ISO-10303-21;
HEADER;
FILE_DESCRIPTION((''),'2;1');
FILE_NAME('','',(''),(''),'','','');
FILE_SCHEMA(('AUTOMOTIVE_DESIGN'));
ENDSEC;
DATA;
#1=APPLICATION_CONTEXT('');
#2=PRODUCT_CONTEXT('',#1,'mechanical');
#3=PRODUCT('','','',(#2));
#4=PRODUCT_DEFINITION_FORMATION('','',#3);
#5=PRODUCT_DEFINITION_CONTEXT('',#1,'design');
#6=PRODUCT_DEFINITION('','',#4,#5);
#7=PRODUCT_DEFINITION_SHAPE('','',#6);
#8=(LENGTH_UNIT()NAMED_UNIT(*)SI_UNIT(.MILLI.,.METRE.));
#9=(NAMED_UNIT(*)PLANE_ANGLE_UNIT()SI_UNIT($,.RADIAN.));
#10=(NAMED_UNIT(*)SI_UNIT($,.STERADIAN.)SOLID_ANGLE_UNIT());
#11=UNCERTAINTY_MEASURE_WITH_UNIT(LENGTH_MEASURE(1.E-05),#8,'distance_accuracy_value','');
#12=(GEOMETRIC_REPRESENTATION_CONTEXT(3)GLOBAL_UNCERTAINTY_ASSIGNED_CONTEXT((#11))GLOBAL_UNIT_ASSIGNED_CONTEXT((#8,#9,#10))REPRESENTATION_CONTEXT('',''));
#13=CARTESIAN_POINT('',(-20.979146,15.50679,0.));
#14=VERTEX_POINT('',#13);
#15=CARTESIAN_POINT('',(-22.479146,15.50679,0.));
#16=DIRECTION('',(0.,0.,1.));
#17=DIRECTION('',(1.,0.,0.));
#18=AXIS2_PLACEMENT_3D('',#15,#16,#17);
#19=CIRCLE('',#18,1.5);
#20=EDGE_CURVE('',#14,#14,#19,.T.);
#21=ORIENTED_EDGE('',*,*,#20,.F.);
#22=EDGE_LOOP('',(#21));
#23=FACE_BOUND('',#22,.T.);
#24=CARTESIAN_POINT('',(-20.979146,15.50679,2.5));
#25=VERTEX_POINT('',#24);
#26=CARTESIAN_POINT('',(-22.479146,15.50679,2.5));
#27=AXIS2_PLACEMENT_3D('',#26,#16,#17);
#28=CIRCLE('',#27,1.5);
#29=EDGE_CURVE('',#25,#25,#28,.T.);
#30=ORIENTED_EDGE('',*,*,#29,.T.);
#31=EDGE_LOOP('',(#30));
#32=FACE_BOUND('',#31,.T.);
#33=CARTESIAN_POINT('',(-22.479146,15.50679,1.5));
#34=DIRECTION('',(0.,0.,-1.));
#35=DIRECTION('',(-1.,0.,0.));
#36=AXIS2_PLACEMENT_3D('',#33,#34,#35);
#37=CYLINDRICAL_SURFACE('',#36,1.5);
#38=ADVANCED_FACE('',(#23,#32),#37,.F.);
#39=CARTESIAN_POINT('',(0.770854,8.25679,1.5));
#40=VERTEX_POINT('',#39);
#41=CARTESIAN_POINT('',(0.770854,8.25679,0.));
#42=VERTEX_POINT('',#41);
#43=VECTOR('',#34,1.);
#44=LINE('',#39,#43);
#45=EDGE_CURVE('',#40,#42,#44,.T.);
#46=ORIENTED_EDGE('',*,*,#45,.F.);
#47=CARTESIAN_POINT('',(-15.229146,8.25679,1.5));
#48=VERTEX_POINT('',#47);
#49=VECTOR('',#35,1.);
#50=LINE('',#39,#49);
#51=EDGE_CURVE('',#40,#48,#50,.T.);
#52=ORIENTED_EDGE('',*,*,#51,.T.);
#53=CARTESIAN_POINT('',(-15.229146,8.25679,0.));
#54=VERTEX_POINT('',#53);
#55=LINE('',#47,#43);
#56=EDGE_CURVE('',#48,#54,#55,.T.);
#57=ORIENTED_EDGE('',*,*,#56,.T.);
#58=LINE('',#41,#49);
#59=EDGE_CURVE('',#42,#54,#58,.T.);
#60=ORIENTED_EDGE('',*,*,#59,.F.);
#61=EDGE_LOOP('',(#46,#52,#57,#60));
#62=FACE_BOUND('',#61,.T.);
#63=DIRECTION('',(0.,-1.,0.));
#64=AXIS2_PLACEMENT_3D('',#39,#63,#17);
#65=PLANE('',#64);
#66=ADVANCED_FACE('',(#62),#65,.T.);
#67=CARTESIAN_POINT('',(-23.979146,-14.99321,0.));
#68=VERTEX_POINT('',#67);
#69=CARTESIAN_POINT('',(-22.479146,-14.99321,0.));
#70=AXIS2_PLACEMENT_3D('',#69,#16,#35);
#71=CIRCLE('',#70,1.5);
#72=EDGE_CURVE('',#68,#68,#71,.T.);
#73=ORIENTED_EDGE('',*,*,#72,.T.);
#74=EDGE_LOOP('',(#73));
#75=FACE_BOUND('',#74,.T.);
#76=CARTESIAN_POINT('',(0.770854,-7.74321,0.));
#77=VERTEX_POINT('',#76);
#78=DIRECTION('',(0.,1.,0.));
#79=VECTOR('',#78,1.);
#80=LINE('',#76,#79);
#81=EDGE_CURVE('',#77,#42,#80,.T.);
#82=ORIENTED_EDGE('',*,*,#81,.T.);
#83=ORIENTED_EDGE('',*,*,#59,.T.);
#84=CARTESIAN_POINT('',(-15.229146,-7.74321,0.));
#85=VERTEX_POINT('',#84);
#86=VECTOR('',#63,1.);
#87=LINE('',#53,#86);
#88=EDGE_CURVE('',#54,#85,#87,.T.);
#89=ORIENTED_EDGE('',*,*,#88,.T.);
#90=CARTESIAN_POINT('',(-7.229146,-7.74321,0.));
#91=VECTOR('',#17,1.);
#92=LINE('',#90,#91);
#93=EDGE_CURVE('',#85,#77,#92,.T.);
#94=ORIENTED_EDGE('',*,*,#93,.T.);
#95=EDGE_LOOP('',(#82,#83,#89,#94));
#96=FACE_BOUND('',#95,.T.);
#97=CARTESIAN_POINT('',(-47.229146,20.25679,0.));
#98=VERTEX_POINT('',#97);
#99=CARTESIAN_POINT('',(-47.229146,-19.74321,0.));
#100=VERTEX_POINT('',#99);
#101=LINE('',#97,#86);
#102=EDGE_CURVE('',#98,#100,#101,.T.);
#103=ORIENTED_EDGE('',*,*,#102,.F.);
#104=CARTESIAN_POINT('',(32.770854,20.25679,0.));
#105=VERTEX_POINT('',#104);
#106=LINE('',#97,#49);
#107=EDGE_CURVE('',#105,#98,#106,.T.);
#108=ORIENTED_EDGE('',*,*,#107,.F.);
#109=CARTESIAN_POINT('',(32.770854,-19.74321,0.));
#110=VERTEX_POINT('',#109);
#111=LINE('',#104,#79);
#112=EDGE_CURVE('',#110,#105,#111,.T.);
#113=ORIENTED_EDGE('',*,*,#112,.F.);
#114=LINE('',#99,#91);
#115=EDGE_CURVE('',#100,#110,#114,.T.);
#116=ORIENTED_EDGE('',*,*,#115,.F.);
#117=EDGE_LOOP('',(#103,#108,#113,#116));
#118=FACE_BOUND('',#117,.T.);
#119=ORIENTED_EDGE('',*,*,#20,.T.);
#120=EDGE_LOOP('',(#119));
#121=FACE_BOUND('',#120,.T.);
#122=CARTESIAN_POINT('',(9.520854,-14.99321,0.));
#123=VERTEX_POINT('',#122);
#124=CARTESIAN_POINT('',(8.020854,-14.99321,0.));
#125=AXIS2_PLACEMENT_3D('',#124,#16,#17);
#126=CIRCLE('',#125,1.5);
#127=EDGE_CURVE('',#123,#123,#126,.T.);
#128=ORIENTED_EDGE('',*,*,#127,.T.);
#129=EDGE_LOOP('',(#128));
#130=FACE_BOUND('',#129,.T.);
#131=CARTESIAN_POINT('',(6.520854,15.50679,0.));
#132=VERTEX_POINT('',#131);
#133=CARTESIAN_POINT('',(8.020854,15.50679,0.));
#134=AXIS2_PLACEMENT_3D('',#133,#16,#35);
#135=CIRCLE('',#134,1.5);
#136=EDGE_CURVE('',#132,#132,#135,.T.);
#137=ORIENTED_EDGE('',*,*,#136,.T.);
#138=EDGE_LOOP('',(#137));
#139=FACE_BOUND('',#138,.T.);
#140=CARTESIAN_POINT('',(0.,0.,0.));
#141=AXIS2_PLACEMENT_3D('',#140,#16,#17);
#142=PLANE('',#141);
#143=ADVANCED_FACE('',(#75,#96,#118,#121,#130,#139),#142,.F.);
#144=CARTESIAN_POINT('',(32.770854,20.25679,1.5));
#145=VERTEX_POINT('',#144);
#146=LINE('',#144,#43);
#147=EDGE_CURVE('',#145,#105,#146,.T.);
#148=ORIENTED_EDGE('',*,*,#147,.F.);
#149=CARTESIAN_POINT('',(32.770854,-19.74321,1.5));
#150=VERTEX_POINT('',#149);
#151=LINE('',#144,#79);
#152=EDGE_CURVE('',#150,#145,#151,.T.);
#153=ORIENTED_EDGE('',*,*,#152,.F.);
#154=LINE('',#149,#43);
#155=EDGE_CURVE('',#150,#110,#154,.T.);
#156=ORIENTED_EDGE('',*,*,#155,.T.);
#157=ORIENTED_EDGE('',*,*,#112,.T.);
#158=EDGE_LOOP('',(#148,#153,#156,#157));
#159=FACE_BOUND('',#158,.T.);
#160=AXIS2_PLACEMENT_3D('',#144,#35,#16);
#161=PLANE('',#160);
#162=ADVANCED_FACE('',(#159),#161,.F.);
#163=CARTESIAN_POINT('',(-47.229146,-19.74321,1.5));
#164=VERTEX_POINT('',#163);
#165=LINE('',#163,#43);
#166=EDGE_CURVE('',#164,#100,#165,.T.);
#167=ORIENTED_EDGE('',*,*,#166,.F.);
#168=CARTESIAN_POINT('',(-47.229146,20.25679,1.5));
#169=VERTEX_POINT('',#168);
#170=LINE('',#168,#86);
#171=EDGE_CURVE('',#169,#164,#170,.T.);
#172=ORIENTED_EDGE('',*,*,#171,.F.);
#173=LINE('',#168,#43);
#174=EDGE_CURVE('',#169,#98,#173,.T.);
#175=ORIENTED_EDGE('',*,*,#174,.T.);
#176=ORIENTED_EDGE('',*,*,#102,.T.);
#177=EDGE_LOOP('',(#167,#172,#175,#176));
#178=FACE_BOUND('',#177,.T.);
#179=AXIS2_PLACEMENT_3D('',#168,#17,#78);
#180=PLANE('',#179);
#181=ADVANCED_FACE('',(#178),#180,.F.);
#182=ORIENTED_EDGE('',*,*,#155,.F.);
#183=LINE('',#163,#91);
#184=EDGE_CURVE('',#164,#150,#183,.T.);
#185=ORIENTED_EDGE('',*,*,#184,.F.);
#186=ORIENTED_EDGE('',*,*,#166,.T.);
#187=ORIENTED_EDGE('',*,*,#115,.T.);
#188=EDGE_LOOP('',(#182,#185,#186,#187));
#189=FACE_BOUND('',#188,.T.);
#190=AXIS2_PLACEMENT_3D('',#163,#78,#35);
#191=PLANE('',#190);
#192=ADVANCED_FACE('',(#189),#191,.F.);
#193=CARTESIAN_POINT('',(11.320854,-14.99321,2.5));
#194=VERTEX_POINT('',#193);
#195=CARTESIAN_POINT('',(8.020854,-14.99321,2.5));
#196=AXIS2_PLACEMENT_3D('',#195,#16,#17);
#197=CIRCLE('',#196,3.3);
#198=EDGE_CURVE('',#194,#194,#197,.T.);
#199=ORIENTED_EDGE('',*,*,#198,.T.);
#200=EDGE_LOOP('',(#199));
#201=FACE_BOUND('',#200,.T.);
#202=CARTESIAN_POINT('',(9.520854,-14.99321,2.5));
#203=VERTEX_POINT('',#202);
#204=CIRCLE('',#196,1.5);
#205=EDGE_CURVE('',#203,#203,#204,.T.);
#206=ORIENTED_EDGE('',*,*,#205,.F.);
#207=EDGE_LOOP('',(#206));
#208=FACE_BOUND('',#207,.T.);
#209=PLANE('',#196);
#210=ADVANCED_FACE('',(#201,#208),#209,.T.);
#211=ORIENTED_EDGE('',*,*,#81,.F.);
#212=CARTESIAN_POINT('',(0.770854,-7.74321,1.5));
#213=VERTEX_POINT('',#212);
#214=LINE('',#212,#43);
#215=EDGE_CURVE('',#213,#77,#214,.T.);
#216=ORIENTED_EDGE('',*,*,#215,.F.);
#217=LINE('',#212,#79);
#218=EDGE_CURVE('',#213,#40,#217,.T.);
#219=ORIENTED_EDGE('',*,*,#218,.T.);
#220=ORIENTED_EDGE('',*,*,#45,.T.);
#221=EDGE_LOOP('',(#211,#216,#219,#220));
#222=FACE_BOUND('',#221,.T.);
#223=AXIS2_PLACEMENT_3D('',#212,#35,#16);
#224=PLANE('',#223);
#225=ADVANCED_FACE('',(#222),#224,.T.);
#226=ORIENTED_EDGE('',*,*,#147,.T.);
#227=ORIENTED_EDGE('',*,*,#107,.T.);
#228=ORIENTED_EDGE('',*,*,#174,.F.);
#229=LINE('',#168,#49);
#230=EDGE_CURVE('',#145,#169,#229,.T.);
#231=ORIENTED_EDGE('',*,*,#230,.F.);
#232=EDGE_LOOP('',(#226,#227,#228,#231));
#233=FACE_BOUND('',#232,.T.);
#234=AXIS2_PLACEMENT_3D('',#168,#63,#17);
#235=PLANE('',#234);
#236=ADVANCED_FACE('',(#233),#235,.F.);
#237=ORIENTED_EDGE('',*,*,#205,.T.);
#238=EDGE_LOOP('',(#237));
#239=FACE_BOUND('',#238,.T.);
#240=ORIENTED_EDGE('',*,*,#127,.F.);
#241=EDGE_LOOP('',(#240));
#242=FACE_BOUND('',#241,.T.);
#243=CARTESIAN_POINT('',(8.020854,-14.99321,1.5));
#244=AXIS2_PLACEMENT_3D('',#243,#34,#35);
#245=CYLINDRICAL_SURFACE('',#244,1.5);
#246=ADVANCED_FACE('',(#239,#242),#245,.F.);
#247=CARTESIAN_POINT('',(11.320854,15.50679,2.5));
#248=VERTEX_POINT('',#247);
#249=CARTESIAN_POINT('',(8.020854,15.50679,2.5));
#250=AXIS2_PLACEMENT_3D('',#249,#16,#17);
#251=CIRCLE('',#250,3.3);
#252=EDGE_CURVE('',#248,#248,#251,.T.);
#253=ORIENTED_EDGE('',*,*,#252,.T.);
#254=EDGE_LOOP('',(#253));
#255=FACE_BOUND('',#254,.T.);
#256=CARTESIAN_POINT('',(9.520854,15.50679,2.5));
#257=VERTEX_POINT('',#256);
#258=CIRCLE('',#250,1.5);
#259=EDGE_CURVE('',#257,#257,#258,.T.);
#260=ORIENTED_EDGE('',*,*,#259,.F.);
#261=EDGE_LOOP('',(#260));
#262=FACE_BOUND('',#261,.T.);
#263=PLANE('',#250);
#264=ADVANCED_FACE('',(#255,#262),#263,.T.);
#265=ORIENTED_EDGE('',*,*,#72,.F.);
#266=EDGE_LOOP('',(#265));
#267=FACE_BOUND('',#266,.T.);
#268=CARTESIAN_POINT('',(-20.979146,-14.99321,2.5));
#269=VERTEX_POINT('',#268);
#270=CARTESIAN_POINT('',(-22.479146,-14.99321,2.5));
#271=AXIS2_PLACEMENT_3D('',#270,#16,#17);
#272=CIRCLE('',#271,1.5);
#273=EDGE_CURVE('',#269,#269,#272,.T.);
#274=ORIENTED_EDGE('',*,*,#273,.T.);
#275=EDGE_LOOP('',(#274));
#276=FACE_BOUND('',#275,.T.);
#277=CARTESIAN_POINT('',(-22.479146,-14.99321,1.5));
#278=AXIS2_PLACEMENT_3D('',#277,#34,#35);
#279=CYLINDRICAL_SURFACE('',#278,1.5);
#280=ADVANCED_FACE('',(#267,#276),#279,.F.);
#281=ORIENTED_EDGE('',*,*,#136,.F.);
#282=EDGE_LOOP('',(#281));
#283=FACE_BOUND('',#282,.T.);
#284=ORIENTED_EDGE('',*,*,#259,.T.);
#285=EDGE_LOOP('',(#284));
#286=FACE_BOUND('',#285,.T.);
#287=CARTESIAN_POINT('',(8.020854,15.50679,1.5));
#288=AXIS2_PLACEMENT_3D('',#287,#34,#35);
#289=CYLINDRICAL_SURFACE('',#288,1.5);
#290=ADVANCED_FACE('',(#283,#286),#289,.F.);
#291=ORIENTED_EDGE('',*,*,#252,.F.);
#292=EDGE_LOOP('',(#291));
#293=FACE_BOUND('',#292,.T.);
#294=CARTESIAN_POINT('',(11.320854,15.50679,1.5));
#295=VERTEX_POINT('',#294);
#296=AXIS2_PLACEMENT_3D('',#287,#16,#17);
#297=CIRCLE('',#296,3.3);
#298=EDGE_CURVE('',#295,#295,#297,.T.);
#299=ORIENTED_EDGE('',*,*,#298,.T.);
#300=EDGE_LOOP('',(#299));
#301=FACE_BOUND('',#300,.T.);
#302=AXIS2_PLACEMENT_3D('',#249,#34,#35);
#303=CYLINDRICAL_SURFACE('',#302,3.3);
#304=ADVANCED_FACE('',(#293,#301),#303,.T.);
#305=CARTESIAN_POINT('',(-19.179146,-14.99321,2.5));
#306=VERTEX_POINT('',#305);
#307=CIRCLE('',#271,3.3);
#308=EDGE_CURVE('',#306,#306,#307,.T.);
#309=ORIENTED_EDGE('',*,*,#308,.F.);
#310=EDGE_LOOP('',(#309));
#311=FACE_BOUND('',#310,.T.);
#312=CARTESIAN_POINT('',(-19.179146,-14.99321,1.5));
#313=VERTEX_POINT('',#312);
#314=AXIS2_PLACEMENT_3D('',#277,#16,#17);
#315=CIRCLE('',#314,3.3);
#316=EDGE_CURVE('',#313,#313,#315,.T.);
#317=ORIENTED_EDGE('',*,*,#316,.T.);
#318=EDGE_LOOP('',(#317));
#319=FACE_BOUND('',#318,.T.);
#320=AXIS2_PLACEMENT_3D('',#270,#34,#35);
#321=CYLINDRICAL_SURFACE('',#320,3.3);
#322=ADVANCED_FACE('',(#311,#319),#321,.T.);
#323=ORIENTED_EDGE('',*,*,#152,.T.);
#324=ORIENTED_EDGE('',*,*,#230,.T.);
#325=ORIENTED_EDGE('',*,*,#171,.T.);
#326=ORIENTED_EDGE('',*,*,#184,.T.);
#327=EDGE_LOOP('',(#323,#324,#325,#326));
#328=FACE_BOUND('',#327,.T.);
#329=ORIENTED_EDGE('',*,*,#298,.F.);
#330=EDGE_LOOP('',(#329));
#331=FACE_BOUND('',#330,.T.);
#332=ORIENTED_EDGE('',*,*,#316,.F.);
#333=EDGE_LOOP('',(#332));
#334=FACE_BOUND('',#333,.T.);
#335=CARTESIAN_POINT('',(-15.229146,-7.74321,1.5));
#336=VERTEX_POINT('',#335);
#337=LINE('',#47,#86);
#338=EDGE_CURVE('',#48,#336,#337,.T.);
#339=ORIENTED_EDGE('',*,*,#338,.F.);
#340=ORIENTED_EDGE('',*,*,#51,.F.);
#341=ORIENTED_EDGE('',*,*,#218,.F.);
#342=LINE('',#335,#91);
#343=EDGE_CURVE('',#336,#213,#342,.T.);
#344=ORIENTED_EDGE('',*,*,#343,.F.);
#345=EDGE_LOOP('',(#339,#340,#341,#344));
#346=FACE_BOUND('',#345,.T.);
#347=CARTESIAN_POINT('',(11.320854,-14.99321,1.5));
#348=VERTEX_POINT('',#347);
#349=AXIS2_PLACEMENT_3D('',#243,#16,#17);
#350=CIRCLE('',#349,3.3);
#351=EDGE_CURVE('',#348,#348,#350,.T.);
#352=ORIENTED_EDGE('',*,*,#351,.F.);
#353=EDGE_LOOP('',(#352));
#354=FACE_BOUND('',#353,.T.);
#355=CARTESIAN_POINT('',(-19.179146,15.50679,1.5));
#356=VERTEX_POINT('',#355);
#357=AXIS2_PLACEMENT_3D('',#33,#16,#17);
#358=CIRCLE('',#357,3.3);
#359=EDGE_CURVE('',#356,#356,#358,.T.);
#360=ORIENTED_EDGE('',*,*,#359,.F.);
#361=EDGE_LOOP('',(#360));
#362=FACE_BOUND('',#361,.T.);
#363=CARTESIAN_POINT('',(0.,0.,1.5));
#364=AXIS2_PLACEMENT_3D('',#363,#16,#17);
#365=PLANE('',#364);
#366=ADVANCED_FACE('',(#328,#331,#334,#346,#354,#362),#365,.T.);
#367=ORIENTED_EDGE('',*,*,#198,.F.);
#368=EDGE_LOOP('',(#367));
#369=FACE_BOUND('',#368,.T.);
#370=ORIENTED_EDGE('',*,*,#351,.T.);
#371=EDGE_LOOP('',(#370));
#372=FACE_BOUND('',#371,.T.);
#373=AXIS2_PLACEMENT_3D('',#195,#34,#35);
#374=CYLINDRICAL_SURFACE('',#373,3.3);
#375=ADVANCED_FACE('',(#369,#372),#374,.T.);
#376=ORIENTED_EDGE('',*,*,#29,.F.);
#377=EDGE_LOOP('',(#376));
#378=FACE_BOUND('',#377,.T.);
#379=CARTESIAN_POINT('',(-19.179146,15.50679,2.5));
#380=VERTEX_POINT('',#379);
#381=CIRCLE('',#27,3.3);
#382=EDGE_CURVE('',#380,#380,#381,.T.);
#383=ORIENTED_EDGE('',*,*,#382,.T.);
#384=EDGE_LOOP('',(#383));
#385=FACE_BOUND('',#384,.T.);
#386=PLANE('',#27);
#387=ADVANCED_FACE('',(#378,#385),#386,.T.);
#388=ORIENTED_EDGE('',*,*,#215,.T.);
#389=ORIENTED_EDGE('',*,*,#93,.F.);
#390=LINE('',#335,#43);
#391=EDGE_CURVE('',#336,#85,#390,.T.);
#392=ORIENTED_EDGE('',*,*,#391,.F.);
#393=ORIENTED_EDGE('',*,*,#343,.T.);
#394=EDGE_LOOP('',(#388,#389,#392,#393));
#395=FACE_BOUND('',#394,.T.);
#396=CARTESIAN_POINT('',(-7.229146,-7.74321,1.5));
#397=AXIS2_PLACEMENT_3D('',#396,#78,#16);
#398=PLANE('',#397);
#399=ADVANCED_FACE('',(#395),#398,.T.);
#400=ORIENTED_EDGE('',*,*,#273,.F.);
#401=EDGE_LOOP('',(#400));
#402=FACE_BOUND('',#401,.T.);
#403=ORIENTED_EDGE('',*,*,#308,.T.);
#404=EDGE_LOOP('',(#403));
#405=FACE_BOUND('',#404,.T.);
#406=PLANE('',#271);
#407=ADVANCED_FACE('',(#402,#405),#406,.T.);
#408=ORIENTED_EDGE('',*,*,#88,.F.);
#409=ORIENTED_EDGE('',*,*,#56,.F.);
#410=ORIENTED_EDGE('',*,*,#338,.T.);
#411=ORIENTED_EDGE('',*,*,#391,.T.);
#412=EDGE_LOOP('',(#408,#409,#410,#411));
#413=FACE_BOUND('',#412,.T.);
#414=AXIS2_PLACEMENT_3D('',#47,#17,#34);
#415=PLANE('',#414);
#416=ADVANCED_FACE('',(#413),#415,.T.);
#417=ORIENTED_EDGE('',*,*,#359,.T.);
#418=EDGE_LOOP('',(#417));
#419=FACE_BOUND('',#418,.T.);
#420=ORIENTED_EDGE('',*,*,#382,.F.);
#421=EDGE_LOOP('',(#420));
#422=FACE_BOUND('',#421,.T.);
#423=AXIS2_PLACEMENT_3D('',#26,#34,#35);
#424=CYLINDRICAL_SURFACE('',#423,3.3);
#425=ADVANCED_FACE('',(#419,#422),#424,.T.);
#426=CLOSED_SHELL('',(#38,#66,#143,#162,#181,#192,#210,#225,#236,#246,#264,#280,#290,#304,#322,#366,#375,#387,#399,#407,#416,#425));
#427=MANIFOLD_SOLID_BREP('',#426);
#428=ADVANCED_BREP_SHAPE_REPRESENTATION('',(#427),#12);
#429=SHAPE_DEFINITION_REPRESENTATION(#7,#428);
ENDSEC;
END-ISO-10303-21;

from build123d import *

# Parameters (mm, degrees)
SKETCH_2_W      = 80
SKETCH_2_H      = 40
SKETCH_2_R      = 1.5
EXTRUDE_1_DEPTH = 1.5
SKETCH_3_R      = 3.3
SKETCH_3_R_2    = 1.5
EXTRUDE_2_DEPTH = 1


with BuildPart() as part:
    # 草图2 → 凸台-拉伸1 (new body)
    with BuildSketch(Plane.XY):
        with Locations((-7.229146383, 0.256789608)):
            Rectangle(SKETCH_2_W, SKETCH_2_H)
        with Locations((-22.479146383, 15.506789608)):
            Circle(SKETCH_2_R, mode=Mode.SUBTRACT)
        with Locations(Location((8.020853617, 15.506789608, 0), (0, 0, 180))):
            Circle(SKETCH_2_R, mode=Mode.SUBTRACT)
        with Locations((8.020853617, -14.993210392)):
            Circle(SKETCH_2_R, mode=Mode.SUBTRACT)
        with Locations(Location((-22.479146383, -14.993210392, 0), (0, 0, 180))):
            Circle(SKETCH_2_R, mode=Mode.SUBTRACT)
        Polygon((-7.229146383, -7.743210392), (0.770853617, -7.743210392), (0.770853617, 8.256789608), (-15.229146383, 8.256789608), (-15.229146383, -7.743210392), align=None, mode=Mode.SUBTRACT)
    extrude(amount=EXTRUDE_1_DEPTH)

    # 草图3 → 凸台-拉伸2 (add)
    # profile 1 of 4: a face of its own
    with BuildSketch(Plane.XY.offset(1.5)):
        with Locations((-22.479146383, 15.506789608)):
            Circle(SKETCH_3_R)
        with Locations((-22.479146383, 15.506789608)):
            Circle(SKETCH_3_R_2, mode=Mode.SUBTRACT)
    # profile 2 of 4: a face of its own
    with BuildSketch(Plane.XY.offset(1.5)):
        with Locations((8.020853617, 15.506789608)):
            Circle(SKETCH_3_R)
        with Locations(Location((8.020853617, 15.506789608, 0), (0, 0, 180))):
            Circle(SKETCH_3_R_2, mode=Mode.SUBTRACT)
    # profile 3 of 4: a face of its own
    with BuildSketch(Plane.XY.offset(1.5)):
        with Locations((-22.479146383, -14.993210392)):
            Circle(SKETCH_3_R)
        with Locations(Location((-22.479146383, -14.993210392, 0), (0, 0, 180))):
            Circle(SKETCH_3_R_2, mode=Mode.SUBTRACT)
    # profile 4 of 4: a face of its own
    with BuildSketch(Plane.XY.offset(1.5)):
        with Locations((8.020853617, -14.993210392)):
            Circle(SKETCH_3_R)
        with Locations((8.020853617, -14.993210392)):
            Circle(SKETCH_3_R_2, mode=Mode.SUBTRACT)
    extrude(amount=EXTRUDE_2_DEPTH)


solid = part.part
